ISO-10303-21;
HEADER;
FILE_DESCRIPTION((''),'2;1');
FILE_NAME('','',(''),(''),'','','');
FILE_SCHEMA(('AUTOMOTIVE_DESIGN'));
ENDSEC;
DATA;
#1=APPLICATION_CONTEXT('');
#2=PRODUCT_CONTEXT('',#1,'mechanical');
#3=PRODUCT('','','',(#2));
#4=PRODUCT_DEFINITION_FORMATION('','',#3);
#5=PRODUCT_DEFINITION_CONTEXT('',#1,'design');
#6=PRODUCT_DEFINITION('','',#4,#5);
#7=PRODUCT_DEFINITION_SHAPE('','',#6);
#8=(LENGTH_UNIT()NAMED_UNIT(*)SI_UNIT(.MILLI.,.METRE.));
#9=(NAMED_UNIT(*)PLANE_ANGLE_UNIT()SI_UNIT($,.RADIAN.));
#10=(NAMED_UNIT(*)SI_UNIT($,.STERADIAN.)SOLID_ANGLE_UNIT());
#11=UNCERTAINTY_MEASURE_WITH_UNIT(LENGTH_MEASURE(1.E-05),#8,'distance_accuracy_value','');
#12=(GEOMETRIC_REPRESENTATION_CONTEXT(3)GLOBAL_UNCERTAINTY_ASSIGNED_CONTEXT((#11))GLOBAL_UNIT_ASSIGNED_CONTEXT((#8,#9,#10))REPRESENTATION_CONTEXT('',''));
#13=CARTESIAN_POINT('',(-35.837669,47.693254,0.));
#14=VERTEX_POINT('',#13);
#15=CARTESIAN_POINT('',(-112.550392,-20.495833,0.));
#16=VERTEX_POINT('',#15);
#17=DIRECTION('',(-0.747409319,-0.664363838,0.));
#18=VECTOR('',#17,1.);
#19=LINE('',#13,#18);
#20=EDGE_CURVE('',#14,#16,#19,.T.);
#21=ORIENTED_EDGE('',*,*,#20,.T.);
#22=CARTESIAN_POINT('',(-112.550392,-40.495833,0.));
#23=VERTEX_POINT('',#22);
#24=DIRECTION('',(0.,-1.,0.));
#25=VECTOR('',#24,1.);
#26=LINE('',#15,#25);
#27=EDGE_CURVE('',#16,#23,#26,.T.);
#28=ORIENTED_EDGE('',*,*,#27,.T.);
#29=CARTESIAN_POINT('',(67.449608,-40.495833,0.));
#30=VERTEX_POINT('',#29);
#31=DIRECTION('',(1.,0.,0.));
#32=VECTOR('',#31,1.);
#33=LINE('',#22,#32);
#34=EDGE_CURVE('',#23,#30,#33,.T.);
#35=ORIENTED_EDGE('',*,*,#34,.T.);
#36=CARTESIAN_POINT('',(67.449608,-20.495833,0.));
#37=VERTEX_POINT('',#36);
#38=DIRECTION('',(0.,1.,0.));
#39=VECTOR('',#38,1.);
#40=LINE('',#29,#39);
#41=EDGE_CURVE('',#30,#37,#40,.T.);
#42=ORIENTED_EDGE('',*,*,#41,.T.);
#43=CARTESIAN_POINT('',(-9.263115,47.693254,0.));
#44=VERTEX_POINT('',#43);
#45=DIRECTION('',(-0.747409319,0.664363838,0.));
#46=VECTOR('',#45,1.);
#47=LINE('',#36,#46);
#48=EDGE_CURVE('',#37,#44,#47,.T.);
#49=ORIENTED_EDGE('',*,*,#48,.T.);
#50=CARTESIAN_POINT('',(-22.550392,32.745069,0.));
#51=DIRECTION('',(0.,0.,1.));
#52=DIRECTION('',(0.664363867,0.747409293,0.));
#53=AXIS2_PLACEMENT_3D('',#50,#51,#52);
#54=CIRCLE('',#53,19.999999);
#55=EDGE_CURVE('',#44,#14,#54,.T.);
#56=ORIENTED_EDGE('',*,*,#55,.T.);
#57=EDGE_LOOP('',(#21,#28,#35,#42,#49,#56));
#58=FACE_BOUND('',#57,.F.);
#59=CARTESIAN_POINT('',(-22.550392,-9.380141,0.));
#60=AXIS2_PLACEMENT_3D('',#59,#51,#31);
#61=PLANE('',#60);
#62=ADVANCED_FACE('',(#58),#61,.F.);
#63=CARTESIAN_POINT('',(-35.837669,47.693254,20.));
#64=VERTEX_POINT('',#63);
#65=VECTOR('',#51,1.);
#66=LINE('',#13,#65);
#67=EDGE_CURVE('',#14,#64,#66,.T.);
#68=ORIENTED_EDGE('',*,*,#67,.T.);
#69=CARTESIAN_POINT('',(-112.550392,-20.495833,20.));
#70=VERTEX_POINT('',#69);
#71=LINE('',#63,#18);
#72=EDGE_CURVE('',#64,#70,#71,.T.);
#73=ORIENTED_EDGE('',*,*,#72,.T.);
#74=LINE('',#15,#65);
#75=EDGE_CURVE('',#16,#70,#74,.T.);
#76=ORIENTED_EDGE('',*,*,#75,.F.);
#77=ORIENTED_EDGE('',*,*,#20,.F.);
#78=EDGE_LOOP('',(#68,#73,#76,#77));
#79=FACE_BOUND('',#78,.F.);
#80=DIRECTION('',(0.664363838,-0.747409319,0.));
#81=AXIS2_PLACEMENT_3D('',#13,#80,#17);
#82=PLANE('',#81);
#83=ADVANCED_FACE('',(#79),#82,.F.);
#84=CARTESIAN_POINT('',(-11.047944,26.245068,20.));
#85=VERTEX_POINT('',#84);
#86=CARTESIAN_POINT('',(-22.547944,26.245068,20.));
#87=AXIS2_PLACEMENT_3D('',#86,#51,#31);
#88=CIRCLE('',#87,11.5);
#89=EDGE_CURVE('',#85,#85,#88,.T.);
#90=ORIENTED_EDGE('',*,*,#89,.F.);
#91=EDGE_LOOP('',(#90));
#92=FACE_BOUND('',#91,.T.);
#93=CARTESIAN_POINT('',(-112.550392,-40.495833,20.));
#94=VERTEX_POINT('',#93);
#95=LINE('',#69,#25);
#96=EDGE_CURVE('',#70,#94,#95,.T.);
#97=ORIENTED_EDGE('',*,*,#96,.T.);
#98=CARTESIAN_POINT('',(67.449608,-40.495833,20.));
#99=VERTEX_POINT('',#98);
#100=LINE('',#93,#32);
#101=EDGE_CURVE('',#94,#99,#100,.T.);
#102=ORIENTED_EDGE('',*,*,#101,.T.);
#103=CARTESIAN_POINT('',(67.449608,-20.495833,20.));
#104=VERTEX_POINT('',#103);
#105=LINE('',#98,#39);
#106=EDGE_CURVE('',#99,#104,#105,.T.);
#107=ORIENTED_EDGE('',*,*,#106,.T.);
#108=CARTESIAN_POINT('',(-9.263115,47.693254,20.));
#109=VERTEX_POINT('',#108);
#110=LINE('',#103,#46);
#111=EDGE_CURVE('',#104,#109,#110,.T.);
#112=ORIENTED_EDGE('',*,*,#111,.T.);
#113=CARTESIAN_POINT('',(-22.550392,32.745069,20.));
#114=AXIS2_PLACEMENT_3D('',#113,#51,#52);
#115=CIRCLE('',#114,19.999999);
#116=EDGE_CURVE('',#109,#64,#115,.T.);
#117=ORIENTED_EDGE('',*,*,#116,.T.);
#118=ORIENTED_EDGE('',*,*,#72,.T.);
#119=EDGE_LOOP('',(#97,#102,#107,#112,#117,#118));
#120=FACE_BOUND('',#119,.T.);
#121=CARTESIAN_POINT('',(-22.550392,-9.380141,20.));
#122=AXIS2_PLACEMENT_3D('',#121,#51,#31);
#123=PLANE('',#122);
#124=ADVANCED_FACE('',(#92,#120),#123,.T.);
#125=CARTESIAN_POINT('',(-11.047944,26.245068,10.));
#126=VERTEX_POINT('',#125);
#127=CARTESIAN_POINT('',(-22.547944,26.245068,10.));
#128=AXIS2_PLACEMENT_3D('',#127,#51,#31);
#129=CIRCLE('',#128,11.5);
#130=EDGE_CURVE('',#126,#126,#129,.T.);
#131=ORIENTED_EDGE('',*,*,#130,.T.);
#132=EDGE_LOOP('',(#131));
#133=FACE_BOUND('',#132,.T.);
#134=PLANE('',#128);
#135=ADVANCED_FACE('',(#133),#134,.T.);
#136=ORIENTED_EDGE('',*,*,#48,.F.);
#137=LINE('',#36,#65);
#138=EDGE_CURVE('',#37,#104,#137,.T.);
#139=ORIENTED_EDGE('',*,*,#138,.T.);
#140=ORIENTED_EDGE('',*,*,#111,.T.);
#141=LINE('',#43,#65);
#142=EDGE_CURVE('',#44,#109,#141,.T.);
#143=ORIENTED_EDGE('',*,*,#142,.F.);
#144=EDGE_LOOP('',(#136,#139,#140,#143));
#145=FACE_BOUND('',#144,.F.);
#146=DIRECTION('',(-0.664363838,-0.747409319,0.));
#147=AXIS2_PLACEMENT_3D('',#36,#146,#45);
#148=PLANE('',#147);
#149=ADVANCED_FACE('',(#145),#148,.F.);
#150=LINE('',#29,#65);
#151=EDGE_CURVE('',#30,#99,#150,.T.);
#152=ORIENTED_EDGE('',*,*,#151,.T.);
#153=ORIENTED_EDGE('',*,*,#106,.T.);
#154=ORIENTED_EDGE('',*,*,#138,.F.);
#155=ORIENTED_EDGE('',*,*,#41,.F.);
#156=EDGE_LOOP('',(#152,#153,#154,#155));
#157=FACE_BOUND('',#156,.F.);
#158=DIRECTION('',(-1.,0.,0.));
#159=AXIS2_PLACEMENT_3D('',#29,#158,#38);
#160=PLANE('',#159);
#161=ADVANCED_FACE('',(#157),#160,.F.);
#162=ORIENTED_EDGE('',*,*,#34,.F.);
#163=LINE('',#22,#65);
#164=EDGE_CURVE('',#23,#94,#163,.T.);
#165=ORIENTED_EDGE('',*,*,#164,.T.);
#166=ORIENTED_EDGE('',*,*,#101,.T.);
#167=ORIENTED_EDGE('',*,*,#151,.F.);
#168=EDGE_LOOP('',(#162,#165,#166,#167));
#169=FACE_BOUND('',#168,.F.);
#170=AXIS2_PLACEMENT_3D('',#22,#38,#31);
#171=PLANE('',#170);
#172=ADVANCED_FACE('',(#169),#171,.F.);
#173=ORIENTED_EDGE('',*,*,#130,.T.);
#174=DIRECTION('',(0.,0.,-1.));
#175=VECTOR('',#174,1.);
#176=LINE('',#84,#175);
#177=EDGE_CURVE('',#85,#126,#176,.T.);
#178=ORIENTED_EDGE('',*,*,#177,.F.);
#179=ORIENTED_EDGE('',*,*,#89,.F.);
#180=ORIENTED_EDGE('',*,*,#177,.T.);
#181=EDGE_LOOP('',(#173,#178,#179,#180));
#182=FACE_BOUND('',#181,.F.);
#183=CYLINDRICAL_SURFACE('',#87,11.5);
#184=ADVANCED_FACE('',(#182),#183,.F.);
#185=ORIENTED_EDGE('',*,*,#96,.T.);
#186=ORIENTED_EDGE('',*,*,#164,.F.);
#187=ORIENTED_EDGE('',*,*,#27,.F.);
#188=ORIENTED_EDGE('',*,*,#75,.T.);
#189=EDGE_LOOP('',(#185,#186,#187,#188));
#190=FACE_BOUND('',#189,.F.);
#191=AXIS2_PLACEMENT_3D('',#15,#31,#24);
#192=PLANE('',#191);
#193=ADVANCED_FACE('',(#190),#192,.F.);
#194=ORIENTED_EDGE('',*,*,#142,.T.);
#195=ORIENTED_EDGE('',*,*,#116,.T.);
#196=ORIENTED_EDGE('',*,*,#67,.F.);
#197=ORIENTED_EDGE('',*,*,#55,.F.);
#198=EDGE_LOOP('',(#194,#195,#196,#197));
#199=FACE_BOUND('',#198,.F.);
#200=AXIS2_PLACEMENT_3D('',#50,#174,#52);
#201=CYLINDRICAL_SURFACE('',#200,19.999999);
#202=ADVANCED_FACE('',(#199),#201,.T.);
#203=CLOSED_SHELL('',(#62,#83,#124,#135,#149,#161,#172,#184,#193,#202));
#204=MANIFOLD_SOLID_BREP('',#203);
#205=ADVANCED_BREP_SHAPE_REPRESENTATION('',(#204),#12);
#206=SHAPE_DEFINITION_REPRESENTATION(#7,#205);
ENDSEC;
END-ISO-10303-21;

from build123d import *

# Parameters (mm, degrees)
F1_DEPTH = 20
F2_R     = 11.5
F3_DEPTH = 10


with BuildPart() as f1:
    # F0 (on Top) → F1 (new body)
    with BuildSketch(Plane.XY):
        with BuildLine():
            Line((-35.837669, 47.693254), (-112.550392, -20.495833))
            Line((-112.550392, -20.495833), (-112.550392, -40.495833))
            Line((-112.550392, -40.495833), (67.449608, -40.495833))
            Line((67.449608, -40.495833), (67.449608, -20.495833))
            Line((67.449608, -20.495833), (-9.263115, 47.693254))
            ThreePointArc((-9.263115, 47.693254), (-22.550392, 52.745068), (-35.837669, 47.693254))
        make_face()
    extrude(amount=F1_DEPTH)

    # F2 (on face) → F3 (cut)
    with BuildSketch(Plane.XY.offset(20)):
        with Locations((-22.547944, 26.245068)):
            Circle(F2_R)
    extrude(amount=-F3_DEPTH, mode=Mode.SUBTRACT)


solid = f1.part
